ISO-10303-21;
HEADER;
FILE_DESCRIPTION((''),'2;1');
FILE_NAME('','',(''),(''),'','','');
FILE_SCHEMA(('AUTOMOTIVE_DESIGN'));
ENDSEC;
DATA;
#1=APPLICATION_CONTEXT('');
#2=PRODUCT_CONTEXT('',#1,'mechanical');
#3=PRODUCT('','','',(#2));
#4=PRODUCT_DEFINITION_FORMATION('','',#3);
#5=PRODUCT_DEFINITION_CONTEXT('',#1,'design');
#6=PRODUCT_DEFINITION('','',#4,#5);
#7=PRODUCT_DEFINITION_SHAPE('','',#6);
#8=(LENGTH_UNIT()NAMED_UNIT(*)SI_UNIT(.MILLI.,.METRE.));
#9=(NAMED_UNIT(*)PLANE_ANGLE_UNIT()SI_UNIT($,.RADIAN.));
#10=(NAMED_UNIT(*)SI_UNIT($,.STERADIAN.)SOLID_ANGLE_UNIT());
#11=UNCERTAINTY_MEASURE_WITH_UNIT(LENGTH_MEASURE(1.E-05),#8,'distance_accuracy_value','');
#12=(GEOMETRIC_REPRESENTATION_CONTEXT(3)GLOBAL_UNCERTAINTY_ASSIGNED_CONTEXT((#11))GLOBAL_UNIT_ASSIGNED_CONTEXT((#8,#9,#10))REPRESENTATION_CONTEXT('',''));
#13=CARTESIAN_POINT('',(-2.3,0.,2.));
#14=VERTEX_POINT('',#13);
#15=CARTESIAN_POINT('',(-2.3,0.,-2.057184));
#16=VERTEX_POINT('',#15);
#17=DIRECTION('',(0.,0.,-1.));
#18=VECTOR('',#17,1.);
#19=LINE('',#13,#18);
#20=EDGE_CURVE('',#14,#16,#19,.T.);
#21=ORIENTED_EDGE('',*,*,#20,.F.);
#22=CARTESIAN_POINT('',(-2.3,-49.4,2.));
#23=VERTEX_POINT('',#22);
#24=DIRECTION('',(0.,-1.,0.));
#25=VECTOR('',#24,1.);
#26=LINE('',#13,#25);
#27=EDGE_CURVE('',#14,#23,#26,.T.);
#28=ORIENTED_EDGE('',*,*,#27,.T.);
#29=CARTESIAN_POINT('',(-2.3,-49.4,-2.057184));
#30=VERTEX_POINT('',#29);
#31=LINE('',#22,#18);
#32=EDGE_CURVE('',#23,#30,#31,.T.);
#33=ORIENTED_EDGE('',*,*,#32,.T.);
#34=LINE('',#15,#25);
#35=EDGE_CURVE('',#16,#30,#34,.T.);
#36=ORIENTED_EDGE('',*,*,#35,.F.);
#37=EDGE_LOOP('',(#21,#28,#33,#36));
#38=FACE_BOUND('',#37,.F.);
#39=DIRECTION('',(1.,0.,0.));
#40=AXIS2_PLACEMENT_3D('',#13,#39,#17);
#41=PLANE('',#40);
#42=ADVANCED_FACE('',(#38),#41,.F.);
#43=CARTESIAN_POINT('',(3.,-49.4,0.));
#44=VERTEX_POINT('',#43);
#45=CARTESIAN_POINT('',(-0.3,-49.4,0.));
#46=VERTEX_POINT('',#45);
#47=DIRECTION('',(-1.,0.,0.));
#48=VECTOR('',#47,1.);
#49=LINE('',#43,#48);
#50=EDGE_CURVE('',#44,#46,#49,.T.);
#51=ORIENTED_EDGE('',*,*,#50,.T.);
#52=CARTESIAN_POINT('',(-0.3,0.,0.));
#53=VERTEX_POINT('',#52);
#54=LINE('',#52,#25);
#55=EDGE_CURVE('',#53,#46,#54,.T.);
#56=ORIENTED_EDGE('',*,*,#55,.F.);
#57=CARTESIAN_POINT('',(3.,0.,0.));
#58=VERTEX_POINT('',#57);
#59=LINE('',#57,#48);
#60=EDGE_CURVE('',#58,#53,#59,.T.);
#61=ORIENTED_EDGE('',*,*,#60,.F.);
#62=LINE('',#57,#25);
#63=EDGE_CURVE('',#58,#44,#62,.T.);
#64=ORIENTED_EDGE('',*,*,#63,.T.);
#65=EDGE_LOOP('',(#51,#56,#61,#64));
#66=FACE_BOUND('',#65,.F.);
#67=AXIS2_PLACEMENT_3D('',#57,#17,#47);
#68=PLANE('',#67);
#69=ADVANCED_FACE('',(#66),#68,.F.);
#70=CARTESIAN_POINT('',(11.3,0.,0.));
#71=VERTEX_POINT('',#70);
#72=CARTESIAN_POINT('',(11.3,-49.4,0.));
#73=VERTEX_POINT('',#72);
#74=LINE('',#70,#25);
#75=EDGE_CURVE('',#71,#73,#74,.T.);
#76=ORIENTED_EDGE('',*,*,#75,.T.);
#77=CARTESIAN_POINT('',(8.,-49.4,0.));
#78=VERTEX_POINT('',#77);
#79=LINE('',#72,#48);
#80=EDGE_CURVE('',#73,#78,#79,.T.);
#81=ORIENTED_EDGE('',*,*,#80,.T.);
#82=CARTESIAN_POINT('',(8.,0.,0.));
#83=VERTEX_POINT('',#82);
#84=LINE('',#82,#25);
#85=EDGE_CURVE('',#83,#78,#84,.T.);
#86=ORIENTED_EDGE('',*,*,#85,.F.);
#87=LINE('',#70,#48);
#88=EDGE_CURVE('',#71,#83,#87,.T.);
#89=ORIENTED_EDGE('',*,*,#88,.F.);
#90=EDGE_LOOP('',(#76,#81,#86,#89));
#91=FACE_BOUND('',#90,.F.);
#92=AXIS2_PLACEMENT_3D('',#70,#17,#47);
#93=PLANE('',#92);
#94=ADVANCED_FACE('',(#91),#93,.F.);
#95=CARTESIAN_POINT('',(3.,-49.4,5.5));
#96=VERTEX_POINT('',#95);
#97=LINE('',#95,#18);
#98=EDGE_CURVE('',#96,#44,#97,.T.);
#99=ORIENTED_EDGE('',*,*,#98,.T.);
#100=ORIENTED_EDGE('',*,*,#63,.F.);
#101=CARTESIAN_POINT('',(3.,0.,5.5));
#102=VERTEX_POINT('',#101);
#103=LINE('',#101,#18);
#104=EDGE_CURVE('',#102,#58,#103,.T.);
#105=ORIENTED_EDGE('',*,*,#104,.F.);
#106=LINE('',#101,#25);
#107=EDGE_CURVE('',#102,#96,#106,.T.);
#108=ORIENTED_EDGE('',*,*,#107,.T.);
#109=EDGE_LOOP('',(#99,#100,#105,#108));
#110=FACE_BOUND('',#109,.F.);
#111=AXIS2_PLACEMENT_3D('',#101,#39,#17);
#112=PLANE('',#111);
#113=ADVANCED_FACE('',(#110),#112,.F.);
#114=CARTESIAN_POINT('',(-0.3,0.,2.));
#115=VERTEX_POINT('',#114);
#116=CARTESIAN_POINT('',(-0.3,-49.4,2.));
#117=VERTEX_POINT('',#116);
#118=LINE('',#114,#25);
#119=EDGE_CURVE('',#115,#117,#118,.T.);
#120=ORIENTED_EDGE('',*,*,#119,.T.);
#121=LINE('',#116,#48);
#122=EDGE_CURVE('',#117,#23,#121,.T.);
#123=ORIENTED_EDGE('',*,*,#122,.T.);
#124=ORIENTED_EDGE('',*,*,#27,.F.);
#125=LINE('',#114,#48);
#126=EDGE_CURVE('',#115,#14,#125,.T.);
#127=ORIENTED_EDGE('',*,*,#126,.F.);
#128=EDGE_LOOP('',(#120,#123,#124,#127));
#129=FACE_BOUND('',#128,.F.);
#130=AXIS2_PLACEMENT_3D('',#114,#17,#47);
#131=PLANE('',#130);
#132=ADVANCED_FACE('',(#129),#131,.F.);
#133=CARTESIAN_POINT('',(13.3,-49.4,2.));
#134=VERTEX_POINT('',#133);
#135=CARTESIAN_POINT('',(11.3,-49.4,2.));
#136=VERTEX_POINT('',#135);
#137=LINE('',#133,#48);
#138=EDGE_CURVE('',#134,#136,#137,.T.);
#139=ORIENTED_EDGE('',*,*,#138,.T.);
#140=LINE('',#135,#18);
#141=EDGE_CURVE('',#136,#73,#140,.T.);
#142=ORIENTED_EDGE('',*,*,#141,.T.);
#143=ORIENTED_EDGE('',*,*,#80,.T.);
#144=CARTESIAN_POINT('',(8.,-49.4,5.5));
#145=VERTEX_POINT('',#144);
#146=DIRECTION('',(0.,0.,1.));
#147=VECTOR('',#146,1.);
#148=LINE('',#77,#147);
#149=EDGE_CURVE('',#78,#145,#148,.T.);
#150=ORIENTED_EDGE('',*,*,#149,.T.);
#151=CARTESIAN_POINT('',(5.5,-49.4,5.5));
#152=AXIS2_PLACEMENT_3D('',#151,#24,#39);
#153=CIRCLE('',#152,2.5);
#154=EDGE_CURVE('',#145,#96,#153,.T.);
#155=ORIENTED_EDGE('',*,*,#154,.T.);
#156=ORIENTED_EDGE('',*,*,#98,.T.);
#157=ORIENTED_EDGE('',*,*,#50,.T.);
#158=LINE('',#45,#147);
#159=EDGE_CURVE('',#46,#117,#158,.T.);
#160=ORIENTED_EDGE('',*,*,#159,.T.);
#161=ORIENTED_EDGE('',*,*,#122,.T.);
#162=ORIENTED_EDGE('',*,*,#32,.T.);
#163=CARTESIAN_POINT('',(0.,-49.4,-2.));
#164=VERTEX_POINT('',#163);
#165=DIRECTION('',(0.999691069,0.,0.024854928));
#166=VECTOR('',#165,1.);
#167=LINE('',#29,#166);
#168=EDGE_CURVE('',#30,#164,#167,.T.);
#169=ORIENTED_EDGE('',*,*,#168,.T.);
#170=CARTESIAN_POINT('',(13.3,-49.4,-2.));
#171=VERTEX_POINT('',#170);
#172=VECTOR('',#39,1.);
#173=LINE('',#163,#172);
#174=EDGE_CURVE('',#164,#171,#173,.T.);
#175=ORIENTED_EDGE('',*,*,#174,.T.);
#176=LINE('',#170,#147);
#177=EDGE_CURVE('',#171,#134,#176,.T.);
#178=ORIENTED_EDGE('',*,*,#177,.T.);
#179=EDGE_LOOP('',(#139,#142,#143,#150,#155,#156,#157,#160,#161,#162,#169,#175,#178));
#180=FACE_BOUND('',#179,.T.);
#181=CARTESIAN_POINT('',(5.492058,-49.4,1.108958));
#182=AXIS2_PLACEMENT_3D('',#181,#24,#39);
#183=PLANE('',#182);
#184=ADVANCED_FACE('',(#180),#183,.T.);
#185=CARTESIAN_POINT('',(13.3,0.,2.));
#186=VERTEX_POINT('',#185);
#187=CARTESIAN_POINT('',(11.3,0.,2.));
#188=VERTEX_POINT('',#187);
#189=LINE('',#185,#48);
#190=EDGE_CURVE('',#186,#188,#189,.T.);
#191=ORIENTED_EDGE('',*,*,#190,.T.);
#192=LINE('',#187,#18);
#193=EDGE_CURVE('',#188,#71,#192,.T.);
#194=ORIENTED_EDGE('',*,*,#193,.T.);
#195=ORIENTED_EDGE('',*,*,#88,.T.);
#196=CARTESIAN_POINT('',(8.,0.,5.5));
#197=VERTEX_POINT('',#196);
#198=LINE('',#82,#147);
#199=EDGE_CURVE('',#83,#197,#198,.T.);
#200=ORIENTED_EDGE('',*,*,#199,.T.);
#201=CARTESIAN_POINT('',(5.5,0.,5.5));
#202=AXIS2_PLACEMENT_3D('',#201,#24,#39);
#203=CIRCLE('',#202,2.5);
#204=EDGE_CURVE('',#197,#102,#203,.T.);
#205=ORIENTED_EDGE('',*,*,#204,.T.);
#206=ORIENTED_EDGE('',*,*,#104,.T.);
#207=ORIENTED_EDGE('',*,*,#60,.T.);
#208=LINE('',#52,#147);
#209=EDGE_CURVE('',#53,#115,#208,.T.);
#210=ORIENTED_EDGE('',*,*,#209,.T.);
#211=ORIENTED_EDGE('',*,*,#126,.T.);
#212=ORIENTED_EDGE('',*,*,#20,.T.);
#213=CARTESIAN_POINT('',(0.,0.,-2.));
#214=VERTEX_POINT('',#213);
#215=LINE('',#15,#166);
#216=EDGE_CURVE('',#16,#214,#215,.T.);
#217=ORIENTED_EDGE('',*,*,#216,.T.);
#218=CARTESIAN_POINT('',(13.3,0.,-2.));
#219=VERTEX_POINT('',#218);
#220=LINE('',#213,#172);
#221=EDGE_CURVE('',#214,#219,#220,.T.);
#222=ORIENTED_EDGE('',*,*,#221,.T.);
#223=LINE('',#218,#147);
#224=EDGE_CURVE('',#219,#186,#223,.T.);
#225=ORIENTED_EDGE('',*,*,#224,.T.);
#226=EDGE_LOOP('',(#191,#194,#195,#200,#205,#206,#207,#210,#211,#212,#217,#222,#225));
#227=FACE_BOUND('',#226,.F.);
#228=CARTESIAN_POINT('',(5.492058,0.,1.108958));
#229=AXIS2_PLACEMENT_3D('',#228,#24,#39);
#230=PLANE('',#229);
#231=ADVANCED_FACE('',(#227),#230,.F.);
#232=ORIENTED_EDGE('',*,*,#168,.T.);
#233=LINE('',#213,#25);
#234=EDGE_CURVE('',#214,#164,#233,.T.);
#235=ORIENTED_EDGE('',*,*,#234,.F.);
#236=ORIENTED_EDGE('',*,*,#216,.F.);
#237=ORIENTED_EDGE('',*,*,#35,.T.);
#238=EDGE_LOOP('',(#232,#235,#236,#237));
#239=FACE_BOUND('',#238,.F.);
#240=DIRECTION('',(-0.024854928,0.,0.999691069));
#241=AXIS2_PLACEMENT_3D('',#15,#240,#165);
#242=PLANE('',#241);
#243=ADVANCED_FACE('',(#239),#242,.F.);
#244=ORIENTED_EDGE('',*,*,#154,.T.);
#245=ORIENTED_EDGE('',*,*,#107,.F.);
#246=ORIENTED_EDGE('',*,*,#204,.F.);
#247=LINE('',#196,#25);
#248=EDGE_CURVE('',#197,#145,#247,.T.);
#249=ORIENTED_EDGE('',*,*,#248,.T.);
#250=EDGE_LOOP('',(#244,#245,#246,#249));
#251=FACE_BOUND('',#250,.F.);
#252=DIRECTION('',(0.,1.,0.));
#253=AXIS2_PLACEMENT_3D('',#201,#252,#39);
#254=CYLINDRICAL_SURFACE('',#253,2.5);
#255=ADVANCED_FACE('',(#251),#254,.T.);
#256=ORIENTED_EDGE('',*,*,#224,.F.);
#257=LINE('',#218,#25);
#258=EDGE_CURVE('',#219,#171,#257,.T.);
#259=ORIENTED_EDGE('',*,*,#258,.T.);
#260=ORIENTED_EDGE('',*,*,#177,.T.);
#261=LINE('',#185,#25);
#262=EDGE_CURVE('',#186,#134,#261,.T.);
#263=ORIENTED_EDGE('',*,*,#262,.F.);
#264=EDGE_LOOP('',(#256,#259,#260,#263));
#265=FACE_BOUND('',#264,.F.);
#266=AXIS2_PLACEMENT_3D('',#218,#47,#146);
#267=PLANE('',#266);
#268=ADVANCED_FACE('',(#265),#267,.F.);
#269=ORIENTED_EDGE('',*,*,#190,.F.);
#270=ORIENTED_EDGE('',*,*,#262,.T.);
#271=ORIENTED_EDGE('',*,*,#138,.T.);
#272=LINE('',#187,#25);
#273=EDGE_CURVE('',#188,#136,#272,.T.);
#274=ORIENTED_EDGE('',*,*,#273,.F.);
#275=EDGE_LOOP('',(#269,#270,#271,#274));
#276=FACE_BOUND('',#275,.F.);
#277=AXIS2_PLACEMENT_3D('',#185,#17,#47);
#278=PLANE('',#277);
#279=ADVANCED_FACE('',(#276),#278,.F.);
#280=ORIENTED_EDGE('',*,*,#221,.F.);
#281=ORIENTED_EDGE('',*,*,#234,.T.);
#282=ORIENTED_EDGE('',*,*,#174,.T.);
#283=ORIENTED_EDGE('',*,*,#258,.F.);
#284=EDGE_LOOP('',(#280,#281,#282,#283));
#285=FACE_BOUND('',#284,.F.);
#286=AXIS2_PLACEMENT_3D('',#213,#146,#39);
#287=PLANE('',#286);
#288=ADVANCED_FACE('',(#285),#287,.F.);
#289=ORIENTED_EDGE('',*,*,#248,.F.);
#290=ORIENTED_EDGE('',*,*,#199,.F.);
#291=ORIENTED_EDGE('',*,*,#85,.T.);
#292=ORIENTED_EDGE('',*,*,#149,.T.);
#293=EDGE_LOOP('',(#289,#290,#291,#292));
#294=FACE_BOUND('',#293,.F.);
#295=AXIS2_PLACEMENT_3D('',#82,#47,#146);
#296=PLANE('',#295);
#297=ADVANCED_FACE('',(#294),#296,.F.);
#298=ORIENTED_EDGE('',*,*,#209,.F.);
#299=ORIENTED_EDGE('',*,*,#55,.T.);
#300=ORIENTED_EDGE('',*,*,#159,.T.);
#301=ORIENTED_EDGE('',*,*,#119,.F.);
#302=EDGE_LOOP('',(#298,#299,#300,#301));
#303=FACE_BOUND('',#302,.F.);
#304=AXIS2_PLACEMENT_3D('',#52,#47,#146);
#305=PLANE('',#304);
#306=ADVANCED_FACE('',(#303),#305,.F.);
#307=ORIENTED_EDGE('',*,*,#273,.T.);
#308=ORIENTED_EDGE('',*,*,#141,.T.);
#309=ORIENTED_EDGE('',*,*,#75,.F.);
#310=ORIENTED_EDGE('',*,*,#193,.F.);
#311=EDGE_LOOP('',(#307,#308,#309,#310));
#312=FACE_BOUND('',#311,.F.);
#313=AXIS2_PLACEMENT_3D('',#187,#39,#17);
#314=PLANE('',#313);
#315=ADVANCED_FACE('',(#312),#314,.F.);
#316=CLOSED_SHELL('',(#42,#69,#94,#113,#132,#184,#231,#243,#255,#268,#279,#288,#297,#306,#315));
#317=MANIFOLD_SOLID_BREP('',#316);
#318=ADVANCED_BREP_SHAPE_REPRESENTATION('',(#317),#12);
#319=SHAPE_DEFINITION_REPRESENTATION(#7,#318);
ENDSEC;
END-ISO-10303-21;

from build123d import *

# Parameters (mm, degrees)
F1_DEPTH = 49.4


with BuildPart() as f1:
    # F0 (on Front) → F1 (new body)
    with BuildSketch(Plane.XZ):
        with BuildLine():
            Line((2, 0), (0, 0))
            Line((0, 0), (-0.3, 0))
            Line((-0.3, 0), (-0.3, 2))
            Line((-0.3, 2), (-2.3, 2))
            Line((-2.3, 2), (-2.3, -2.057184))
            Line((-2.3, -2.057184), (0, -2))
            Line((0, -2), (9, -2))
            Line((9, -2), (13.3, -2))
            Line((13.3, -2), (13.3, 2))
            Line((13.3, 2), (11.3, 2))
            Line((11.3, 2), (11.3, 0))
            Line((11.3, 0), (11, 0))
            Line((11, 0), (8, 0))
            Line((8, 0), (8, 5.5))
            ThreePointArc((8, 5.5), (5.5, 8), (3, 5.5))
            Line((3, 5.5), (3, 0))
            Line((3, 0), (2, 0))
        make_face()
    extrude(amount=F1_DEPTH)


solid = f1.part
